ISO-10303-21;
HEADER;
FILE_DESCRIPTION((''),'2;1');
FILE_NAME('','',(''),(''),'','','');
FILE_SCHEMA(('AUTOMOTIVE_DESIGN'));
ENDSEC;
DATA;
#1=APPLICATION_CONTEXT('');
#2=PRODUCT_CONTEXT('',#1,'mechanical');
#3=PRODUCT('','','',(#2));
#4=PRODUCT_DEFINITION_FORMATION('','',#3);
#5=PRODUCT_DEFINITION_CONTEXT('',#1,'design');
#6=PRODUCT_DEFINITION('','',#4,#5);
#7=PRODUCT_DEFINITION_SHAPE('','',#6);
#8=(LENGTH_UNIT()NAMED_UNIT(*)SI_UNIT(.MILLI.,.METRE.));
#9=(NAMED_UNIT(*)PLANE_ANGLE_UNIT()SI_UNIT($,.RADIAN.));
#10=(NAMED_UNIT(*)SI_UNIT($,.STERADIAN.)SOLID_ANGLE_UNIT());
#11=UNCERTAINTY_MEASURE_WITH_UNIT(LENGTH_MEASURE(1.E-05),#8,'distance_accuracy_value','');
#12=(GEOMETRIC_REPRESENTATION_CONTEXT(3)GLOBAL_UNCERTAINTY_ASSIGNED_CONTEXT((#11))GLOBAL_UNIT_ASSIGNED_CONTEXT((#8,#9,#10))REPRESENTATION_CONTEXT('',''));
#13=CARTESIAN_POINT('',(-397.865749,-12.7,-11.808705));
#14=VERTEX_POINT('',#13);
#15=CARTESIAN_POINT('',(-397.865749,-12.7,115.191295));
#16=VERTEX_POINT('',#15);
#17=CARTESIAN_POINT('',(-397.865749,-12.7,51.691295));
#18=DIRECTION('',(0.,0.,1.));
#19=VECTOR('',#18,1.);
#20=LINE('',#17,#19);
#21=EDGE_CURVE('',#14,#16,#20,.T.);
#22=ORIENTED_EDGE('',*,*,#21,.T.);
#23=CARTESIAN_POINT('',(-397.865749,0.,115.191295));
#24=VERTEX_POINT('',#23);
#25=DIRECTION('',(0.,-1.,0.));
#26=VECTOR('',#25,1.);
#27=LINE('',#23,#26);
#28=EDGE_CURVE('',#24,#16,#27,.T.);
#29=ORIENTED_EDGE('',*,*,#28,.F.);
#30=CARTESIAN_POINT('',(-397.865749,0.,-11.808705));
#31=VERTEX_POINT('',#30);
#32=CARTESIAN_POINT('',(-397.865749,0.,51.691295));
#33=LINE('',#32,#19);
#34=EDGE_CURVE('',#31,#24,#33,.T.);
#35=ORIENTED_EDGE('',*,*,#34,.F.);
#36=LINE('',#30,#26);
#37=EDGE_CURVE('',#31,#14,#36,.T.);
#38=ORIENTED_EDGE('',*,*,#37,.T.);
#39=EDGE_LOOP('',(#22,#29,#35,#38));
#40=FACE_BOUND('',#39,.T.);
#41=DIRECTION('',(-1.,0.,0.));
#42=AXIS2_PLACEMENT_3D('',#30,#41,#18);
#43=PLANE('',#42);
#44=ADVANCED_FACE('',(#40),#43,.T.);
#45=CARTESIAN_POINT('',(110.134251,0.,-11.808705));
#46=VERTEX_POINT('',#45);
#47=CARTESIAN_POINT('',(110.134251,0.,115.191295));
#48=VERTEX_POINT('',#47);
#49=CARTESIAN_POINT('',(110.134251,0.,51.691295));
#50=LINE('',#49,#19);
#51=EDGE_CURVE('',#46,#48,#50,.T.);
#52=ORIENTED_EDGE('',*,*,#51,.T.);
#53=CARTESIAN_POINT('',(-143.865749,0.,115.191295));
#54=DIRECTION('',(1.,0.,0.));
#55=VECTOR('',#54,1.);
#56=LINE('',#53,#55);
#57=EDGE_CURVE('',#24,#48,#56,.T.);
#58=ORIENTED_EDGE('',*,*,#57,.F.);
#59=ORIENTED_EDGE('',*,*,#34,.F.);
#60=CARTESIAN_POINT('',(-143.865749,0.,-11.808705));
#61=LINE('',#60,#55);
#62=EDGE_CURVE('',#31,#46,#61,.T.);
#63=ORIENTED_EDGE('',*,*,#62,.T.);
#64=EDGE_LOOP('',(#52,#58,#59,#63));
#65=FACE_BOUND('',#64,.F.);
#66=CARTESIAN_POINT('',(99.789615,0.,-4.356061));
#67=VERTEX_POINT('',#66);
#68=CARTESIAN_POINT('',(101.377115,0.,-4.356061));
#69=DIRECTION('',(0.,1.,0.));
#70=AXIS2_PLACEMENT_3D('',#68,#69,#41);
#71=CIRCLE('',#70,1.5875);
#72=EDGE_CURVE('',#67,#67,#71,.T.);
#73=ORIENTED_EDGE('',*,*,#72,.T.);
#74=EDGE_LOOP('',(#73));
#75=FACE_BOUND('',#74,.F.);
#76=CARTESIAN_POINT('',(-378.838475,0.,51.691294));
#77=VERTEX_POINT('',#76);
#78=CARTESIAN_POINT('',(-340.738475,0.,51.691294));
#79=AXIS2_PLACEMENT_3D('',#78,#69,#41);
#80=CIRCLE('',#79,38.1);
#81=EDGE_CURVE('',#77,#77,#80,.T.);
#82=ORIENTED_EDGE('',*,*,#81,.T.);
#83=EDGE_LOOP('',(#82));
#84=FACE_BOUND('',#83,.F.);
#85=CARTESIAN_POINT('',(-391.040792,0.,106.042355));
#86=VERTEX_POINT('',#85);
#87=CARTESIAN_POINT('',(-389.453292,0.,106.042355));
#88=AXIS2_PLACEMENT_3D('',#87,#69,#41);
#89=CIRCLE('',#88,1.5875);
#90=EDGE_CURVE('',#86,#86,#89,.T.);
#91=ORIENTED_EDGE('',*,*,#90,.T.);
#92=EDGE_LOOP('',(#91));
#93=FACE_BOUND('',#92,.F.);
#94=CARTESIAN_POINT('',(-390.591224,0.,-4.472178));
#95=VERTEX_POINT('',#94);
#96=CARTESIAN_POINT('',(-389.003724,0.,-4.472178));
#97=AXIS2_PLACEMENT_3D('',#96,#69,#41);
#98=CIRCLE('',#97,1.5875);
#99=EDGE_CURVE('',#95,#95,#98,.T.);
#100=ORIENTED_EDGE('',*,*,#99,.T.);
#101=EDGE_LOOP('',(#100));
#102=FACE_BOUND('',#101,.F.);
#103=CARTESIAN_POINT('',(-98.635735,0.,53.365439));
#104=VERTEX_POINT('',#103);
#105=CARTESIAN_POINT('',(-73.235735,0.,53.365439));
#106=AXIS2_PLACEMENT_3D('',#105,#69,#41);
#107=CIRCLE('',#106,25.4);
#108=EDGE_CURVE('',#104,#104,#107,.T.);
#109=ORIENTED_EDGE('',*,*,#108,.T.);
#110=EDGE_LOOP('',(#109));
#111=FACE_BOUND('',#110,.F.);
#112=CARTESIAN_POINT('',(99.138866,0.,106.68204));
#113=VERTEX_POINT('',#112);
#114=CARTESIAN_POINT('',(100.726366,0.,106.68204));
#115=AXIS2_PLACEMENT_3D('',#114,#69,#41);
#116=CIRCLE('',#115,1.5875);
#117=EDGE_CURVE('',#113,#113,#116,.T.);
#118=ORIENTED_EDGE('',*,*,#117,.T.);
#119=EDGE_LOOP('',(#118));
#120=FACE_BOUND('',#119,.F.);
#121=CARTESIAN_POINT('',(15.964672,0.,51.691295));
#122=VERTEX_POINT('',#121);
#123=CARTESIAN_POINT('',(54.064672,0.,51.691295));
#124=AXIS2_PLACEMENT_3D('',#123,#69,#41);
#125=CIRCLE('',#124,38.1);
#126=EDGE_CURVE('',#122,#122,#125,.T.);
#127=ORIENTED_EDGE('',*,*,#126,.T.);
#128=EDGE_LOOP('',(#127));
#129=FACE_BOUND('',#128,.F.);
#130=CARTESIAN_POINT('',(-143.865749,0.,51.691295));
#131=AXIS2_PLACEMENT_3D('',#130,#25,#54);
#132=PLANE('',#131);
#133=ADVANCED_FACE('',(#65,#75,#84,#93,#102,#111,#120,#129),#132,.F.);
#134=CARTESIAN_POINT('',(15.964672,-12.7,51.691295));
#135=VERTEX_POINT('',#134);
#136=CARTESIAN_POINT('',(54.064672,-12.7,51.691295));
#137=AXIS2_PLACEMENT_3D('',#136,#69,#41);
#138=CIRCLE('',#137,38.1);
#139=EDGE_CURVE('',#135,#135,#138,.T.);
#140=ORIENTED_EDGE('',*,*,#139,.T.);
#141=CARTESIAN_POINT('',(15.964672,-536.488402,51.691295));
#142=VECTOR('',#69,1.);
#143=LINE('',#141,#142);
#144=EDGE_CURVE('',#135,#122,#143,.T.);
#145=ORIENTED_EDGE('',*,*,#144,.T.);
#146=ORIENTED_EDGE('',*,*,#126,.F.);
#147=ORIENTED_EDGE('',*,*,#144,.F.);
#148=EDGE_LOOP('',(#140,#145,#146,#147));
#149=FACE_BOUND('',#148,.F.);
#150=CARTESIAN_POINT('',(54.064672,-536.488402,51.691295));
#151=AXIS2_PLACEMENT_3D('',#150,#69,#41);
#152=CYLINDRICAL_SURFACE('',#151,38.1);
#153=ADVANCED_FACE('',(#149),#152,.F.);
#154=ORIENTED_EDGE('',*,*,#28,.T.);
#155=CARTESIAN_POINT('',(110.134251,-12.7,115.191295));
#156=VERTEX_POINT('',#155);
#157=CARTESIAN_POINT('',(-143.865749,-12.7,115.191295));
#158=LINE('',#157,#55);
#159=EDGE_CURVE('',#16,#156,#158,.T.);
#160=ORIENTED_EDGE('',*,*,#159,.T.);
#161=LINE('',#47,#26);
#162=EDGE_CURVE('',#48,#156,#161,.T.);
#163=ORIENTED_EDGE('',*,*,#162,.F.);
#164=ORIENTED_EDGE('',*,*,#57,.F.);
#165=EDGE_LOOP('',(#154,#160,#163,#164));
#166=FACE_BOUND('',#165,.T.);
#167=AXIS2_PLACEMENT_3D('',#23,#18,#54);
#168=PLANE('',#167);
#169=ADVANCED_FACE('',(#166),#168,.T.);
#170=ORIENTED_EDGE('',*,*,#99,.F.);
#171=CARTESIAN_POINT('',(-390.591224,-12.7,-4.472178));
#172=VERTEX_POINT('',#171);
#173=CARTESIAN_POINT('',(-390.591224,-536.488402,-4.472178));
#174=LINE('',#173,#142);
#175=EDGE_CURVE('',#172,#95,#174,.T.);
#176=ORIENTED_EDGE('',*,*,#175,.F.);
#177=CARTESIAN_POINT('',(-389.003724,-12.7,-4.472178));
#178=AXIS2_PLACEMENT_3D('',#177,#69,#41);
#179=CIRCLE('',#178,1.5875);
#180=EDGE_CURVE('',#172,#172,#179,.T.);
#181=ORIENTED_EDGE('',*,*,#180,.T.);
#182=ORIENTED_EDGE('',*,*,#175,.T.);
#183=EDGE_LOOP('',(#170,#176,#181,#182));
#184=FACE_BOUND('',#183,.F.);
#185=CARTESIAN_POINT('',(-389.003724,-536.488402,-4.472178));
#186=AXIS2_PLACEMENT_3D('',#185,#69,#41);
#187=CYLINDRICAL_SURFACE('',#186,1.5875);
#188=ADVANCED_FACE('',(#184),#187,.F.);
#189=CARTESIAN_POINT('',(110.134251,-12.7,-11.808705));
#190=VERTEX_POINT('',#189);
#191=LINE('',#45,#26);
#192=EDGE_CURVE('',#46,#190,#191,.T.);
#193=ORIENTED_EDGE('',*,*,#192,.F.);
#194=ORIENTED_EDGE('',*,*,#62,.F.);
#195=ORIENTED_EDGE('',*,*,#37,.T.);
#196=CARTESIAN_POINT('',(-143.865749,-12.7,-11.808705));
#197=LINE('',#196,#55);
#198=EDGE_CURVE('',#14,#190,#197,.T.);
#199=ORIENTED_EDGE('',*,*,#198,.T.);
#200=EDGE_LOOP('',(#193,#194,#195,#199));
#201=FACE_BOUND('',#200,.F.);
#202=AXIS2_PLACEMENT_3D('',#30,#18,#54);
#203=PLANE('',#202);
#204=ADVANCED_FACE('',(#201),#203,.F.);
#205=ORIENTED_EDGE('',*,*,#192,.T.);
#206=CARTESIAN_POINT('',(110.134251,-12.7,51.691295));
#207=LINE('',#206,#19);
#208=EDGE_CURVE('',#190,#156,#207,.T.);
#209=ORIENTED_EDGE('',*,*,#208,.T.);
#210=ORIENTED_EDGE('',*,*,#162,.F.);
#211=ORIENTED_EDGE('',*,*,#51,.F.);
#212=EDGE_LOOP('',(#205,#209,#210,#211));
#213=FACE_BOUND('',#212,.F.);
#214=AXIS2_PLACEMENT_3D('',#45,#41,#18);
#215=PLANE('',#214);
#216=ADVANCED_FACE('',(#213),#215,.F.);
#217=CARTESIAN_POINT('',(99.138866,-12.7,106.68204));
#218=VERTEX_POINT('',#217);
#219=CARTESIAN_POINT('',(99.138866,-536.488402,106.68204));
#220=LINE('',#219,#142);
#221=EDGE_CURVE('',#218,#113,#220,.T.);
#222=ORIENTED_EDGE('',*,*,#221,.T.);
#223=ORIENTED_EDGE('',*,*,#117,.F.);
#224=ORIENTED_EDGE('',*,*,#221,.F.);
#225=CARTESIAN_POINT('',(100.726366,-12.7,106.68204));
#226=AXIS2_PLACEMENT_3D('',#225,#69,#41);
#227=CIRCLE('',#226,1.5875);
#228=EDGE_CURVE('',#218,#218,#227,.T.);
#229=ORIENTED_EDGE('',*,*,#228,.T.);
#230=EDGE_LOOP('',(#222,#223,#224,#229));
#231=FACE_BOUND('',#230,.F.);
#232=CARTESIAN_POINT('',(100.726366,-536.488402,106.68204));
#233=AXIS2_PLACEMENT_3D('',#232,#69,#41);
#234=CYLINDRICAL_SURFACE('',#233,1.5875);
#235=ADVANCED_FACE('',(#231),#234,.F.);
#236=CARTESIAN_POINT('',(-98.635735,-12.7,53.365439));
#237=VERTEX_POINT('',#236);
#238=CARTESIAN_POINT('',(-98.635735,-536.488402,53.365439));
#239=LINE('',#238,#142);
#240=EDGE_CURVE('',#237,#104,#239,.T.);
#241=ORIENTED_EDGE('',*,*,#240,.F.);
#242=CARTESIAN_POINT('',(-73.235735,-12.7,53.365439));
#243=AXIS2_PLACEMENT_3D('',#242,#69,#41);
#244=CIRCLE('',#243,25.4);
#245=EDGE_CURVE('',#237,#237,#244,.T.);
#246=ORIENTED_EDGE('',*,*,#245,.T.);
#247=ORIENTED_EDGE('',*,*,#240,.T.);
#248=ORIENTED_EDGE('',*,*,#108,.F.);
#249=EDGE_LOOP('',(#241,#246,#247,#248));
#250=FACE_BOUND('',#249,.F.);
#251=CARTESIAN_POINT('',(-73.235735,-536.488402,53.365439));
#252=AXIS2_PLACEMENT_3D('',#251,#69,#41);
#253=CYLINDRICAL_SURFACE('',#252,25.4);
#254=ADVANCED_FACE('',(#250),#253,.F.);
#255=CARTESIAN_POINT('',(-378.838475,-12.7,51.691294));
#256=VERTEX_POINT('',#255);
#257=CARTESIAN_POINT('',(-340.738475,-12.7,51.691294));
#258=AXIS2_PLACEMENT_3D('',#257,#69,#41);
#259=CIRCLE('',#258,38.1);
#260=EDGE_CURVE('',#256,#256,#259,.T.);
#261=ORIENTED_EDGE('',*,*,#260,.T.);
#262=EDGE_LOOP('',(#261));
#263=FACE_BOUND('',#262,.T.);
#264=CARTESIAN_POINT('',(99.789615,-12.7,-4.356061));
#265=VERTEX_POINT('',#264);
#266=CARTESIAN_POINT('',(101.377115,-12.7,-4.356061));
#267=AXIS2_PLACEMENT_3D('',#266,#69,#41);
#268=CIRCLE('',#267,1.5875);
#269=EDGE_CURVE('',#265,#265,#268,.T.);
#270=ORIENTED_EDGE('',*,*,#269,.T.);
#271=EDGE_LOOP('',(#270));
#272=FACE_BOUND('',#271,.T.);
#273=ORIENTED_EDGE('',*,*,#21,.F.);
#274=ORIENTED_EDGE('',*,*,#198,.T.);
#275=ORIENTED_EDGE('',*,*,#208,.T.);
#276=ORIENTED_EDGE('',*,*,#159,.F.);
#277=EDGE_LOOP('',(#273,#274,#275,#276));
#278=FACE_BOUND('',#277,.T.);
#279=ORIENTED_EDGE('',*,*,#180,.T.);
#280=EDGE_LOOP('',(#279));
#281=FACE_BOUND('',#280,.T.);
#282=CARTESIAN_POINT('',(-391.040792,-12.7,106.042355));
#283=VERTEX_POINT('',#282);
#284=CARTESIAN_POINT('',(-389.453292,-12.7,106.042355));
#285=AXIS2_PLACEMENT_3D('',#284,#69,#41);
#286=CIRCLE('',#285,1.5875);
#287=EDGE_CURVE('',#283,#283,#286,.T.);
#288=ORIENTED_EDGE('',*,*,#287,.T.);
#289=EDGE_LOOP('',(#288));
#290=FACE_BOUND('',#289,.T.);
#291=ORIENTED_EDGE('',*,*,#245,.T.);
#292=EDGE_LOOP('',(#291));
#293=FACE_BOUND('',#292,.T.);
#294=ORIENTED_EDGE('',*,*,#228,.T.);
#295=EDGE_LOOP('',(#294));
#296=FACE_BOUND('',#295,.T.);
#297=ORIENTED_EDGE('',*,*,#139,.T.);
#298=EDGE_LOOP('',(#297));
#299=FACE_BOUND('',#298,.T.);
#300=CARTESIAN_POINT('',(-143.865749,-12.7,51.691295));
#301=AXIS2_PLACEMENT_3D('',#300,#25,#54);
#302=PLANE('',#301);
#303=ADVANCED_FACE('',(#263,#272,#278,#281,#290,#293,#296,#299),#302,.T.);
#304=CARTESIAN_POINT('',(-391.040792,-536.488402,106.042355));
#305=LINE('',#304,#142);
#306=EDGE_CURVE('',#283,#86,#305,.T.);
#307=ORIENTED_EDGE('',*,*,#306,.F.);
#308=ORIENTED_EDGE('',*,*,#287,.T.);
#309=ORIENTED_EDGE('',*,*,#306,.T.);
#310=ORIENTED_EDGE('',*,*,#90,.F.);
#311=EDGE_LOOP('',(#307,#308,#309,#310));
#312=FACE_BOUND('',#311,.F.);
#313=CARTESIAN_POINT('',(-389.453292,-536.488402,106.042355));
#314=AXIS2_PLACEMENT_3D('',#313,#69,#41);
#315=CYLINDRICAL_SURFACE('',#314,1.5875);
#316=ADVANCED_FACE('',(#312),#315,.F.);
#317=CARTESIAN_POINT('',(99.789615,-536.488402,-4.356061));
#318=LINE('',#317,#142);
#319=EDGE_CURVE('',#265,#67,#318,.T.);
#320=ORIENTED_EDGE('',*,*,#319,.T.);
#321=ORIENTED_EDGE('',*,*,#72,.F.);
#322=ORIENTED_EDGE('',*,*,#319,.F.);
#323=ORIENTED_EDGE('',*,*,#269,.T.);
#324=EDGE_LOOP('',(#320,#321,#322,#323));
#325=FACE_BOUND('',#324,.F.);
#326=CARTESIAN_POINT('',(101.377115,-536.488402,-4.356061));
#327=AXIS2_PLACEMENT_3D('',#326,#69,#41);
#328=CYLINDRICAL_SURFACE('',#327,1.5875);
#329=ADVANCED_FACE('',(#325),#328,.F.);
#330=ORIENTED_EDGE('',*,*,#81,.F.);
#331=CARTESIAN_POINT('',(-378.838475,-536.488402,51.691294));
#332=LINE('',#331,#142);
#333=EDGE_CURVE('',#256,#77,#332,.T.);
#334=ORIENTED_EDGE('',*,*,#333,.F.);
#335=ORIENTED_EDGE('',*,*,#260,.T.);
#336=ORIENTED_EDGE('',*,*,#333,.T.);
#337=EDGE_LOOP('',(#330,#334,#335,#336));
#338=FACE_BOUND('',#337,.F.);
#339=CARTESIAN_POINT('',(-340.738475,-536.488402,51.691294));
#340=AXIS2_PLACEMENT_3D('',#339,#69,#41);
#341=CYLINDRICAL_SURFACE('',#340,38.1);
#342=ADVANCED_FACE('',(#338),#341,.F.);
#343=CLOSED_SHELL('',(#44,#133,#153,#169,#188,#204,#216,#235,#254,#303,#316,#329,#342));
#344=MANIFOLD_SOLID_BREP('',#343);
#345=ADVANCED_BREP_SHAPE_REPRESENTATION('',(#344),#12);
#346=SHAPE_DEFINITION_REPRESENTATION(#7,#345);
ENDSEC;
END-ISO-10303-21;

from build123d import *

# Parameters (mm, degrees)
F0_W     = 508
F0_H     = 127
F1_DEPTH = 12.7
F3_D     = 3.175
F5_D     = 3.175
F7_D     = 76.2
F9_D     = 50.8
F11_D    = 76.2


with BuildPart() as f1:
    # F0 (on Front) → F1 (new body)
    with BuildSketch(Plane.XZ):
        with Locations((-143.865749, 51.691295)):
            Rectangle(F0_W, F0_H)
    extrude(amount=F1_DEPTH)

    # F3 (through all)
    with Locations(Plane.XZ.offset(12.7)):
        with Locations((100.726366, 106.68204)):
            Hole(F3_D / 2)

    # F5 (through all)
    with Locations(Plane.XZ.offset(12.7)):
        with Locations((101.377115, -4.356061), (-389.453292, 106.042355), (-389.003724, -4.472178)):
            Hole(F5_D / 2)

    # F7 (through all)
    with Locations(Plane.XZ.offset(12.7)):
        with Locations((-340.738475, 51.691294)):
            Hole(F7_D / 2)

    # F9 (through all)
    with Locations(Plane.XZ.offset(12.7)):
        with Locations((-73.235735, 53.365439)):
            Hole(F9_D / 2)

    # F11 (through all)
    with Locations(Plane.XZ.offset(12.7)):
        with Locations((54.064672, 51.691295)):
            Hole(F11_D / 2)


solid = f1.part
